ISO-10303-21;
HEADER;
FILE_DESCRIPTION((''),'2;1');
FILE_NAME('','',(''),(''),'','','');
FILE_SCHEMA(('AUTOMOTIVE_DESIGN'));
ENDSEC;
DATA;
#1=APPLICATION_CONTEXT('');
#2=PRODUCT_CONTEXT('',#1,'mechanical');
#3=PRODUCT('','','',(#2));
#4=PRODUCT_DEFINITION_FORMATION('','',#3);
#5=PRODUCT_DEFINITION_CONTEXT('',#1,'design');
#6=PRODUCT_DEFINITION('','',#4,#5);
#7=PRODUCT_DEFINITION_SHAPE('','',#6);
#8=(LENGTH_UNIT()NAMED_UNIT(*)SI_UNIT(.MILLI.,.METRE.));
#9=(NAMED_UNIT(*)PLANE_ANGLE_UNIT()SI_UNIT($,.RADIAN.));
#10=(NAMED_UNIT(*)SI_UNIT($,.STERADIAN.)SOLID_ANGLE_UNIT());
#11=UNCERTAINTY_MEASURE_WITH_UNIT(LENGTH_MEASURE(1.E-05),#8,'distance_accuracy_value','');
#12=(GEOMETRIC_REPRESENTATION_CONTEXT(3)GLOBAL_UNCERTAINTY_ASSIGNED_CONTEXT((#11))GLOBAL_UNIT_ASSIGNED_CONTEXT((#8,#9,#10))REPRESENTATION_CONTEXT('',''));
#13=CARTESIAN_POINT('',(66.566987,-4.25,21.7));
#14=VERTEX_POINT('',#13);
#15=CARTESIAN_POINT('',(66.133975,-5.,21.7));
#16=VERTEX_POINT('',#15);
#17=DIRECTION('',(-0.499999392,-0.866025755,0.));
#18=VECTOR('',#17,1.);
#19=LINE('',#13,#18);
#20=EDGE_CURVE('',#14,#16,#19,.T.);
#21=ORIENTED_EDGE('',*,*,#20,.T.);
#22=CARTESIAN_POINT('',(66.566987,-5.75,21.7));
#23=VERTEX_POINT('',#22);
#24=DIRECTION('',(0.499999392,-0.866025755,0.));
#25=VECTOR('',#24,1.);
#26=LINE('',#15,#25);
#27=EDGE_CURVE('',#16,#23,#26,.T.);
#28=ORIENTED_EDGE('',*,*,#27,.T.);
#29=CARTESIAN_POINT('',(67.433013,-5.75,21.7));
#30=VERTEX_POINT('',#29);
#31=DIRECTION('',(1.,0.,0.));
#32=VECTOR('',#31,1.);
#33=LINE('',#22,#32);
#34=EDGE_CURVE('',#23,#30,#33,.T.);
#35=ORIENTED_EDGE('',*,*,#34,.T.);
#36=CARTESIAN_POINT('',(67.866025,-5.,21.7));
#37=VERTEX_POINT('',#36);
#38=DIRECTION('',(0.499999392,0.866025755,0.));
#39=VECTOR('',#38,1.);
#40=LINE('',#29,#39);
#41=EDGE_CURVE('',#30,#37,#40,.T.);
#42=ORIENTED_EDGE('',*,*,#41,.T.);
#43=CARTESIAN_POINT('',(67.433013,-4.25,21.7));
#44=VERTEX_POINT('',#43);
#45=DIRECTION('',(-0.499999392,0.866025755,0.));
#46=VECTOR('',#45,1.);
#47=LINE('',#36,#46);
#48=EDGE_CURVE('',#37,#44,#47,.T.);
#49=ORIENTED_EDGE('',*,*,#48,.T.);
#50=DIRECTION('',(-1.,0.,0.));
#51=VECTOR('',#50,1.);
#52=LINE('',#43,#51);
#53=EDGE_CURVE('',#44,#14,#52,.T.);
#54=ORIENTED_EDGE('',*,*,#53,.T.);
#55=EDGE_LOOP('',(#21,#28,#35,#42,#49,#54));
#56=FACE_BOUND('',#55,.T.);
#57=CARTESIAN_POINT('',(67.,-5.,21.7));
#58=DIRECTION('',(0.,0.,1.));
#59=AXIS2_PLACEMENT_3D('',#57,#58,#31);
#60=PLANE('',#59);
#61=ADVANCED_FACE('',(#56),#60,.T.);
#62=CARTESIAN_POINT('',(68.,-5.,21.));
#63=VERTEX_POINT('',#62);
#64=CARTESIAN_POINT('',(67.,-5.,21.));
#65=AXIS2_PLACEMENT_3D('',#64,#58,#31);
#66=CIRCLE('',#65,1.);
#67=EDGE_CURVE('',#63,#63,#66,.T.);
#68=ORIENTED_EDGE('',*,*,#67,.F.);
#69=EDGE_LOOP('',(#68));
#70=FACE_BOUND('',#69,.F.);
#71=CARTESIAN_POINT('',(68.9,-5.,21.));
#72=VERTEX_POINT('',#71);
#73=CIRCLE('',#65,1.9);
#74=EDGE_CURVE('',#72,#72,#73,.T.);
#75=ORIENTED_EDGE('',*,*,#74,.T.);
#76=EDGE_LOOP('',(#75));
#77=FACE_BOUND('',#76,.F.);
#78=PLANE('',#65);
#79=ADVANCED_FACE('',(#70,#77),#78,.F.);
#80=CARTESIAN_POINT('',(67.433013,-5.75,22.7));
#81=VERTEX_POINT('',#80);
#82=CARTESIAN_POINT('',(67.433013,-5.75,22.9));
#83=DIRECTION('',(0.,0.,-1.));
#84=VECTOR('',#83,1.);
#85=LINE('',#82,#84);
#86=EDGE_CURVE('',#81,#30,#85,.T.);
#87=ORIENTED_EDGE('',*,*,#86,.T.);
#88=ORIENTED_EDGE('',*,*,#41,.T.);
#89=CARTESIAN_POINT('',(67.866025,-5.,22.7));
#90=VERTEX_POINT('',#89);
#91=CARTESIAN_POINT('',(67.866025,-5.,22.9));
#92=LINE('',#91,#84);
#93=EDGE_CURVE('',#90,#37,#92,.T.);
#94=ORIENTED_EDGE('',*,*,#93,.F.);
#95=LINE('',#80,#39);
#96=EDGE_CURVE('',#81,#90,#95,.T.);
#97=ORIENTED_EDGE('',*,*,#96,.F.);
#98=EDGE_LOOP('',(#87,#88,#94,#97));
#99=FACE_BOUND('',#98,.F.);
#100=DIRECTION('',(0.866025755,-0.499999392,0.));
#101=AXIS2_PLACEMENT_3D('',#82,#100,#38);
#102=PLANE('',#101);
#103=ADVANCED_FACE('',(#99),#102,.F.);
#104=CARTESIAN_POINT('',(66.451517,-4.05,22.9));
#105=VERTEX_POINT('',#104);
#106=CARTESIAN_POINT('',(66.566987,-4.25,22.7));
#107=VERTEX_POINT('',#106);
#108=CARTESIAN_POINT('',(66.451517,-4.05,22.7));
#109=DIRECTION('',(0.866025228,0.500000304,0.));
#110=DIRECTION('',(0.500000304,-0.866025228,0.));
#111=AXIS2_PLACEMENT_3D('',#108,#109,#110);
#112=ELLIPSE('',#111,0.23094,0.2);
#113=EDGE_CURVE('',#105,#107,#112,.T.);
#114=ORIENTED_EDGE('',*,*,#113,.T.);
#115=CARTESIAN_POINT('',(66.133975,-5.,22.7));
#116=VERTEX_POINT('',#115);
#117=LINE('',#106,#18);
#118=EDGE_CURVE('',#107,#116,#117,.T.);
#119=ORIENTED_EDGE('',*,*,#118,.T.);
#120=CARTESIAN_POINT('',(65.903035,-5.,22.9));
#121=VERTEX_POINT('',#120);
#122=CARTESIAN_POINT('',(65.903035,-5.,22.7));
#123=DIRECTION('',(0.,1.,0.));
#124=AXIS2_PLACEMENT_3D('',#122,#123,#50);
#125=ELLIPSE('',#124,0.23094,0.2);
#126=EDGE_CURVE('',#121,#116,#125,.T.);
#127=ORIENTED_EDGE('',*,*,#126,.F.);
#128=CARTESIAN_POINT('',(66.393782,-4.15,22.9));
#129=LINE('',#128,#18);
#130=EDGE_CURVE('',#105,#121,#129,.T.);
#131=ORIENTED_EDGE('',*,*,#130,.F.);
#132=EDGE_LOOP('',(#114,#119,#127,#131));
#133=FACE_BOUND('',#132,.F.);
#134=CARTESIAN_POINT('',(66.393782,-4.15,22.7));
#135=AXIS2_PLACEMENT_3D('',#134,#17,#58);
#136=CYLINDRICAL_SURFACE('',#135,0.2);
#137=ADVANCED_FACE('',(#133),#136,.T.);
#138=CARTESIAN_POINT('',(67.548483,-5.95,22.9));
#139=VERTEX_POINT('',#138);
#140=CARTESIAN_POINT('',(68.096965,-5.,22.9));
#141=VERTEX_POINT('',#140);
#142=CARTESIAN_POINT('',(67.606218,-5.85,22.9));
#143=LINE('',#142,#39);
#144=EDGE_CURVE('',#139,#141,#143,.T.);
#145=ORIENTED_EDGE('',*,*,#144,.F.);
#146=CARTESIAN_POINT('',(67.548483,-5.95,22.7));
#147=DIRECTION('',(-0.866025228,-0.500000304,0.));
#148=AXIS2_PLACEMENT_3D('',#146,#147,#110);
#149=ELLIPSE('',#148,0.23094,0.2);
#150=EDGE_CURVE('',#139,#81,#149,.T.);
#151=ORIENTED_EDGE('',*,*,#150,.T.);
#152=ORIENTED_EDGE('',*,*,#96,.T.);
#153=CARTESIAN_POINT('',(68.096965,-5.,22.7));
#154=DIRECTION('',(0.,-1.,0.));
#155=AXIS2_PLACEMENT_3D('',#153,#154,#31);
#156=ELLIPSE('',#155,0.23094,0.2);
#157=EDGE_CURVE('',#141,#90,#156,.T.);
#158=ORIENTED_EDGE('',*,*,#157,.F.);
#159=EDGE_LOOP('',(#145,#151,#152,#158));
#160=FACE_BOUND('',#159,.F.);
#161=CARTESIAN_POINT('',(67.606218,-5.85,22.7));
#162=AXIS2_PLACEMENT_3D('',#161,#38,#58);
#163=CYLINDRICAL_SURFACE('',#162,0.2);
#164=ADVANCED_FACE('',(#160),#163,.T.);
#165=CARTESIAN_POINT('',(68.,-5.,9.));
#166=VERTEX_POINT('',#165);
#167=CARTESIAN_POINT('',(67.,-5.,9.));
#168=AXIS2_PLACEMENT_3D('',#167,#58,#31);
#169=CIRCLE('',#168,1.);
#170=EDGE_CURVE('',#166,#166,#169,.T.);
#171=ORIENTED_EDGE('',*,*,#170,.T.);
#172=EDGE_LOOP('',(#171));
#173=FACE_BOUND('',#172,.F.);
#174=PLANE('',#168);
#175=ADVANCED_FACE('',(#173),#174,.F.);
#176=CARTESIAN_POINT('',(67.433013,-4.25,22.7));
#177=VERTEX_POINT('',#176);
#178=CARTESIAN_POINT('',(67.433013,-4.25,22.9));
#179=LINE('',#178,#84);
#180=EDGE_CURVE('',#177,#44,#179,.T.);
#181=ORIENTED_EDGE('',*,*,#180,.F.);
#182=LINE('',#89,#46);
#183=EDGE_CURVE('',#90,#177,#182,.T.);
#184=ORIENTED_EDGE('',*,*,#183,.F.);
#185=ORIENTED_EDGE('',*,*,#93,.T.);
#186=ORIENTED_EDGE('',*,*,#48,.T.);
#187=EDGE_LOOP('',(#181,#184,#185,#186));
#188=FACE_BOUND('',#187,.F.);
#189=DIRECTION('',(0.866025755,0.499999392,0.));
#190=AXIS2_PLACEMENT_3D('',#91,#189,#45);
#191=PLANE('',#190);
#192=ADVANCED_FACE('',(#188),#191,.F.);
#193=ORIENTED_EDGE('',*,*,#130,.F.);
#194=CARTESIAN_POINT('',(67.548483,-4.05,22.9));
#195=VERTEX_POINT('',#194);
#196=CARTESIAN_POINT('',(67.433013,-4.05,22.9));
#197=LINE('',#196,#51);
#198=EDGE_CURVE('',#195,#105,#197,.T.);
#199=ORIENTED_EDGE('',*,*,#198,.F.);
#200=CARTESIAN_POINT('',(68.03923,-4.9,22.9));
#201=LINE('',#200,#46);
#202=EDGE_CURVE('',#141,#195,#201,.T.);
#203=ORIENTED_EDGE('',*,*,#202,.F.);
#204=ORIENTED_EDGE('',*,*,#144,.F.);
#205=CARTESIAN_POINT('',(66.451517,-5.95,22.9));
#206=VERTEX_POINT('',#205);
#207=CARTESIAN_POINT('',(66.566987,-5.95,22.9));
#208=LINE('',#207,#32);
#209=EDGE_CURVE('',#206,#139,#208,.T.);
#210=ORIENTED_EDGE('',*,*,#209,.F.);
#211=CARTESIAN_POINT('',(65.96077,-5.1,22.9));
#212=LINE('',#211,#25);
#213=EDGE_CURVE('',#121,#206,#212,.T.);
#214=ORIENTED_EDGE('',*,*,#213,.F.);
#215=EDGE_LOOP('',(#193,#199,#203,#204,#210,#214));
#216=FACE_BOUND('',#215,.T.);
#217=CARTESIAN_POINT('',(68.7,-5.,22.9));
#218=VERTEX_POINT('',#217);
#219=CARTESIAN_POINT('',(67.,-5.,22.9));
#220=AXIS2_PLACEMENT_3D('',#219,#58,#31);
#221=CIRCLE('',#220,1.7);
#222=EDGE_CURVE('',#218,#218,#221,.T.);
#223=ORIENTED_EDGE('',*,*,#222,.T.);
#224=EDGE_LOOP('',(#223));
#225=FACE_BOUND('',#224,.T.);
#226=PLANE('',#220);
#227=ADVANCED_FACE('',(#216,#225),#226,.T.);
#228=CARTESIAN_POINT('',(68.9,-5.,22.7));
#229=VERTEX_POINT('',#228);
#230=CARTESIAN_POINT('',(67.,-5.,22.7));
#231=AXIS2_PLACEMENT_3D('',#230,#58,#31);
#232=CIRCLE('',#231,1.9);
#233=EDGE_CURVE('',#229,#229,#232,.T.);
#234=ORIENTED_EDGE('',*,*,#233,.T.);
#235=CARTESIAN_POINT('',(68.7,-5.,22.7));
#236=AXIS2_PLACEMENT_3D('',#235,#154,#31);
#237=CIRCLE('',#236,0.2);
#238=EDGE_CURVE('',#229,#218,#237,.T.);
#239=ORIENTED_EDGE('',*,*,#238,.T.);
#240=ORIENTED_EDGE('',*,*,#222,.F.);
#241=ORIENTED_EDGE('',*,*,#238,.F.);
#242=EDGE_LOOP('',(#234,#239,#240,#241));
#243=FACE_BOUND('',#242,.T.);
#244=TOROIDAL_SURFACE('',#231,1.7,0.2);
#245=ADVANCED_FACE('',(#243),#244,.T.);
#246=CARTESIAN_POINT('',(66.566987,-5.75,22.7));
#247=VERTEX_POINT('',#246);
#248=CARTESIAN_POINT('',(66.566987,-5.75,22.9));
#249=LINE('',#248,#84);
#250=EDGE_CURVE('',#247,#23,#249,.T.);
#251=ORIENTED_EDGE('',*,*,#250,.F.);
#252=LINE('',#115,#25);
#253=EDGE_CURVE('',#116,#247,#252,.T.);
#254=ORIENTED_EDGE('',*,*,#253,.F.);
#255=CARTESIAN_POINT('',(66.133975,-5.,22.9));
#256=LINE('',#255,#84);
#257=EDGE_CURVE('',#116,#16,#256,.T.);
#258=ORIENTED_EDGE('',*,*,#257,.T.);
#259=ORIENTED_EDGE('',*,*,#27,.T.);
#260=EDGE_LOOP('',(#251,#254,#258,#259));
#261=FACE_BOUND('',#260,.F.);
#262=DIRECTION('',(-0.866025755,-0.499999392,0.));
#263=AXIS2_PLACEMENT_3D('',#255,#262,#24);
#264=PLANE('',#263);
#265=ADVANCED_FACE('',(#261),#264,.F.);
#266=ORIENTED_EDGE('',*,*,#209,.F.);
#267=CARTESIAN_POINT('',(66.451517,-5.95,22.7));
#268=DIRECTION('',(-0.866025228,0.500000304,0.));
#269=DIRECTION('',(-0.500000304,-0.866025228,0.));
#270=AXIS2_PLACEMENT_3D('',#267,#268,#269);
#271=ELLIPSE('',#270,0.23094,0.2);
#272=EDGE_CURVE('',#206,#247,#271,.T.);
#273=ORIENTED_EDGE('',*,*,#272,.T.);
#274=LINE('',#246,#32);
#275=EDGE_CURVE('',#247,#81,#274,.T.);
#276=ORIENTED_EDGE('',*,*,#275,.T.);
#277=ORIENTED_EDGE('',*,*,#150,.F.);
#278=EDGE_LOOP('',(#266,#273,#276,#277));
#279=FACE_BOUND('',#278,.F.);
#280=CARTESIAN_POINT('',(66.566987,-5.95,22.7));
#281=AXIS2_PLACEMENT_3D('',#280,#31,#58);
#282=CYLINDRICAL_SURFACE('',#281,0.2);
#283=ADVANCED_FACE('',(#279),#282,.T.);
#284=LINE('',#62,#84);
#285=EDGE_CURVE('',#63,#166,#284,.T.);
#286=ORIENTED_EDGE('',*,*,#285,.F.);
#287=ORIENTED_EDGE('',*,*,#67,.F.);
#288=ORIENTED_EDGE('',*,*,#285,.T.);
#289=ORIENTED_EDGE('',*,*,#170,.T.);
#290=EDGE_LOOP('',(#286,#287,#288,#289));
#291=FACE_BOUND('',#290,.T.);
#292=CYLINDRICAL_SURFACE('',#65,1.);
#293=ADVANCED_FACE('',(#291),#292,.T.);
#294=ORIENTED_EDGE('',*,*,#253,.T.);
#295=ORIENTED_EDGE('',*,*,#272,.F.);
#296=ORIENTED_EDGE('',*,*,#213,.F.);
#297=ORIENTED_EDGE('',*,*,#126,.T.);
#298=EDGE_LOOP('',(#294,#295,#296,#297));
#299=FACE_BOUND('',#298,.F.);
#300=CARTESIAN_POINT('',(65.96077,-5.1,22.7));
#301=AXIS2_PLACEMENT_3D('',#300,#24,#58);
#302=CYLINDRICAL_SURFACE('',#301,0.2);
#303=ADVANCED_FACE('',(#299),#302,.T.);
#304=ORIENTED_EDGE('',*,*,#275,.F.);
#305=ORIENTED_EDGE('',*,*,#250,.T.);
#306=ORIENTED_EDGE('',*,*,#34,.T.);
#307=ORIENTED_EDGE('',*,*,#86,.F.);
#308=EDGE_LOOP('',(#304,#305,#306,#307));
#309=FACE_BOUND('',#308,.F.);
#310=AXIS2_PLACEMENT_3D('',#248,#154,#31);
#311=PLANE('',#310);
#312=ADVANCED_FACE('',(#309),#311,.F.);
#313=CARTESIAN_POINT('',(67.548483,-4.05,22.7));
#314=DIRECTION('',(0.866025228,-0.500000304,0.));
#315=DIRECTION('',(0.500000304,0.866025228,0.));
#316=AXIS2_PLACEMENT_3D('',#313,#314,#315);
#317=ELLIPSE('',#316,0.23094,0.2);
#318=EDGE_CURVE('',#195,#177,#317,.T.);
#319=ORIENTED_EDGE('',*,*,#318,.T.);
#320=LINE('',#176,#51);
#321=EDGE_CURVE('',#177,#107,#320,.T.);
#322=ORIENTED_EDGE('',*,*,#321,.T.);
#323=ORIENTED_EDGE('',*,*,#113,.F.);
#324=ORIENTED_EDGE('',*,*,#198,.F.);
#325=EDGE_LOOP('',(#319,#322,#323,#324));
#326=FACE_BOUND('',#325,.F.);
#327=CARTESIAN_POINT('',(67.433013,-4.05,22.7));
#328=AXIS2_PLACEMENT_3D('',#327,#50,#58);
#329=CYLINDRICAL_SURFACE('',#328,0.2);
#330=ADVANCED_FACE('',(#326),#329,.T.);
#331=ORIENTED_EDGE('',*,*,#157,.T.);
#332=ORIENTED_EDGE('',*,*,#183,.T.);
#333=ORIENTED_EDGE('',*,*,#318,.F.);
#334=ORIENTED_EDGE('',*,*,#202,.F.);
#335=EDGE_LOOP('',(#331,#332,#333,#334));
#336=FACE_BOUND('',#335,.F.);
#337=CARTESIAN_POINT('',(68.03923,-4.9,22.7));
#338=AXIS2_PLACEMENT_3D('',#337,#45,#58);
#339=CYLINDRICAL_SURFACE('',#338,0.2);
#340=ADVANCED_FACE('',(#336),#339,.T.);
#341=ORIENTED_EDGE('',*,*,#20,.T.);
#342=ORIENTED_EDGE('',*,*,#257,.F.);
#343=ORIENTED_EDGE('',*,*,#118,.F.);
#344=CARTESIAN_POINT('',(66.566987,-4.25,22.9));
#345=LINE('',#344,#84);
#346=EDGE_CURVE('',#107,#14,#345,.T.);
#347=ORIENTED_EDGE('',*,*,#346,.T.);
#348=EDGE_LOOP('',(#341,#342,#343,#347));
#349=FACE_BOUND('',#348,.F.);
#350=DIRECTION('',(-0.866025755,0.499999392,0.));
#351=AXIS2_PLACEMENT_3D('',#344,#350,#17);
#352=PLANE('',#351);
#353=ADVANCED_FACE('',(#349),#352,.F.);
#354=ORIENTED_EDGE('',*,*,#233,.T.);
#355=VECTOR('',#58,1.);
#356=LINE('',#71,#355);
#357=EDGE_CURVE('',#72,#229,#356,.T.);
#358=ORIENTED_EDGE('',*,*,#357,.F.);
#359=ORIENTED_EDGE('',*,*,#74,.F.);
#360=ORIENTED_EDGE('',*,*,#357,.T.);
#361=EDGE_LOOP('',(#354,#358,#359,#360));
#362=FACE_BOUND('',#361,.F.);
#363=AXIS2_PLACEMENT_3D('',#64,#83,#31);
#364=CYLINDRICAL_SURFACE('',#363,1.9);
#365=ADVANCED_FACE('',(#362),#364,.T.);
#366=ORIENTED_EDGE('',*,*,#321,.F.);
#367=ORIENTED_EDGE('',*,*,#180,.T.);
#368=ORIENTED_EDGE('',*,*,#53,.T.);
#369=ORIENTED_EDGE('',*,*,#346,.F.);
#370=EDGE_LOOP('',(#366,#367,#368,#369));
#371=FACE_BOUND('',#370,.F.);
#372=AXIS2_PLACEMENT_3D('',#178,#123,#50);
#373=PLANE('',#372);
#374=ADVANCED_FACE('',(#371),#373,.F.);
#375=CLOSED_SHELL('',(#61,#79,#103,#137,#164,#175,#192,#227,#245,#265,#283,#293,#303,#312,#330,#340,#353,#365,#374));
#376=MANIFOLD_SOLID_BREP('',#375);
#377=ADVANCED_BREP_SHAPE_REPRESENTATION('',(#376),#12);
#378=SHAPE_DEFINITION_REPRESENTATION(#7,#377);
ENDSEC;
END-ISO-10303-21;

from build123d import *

# Parameters (mm, degrees)
SKETCH042_R              = 1.9
PAD007_DEPTH             = 1.9
POCKET024_DEPTH          = 1.2
SKETCH044_R              = 1
PAD008_DEPTH             = 12
FILLET005_R              = 0.2
BODY008_PLACEMENT_ANGLE  = 90
CLONE004_PLACEMENT_ANGLE = 90


with BuildPart() as part:
    # Sketch042 → Pad007 (new body)
    with BuildSketch(Plane.XY):
        Circle(SKETCH042_R)
    extrude(amount=PAD007_DEPTH)

    # Sketch043 (on Face3 of Pad007) → Pocket024 (cut)
    with BuildSketch(Plane.XY.offset(1.9)):
        Polygon((0.866025, 0), (0.433013, 0.75), (-0.433013, 0.75), (-0.866025, 0), (-0.433013, -0.75), (0.433013, -0.75), align=None)
    extrude(amount=-POCKET024_DEPTH, mode=Mode.SUBTRACT)

    # Sketch044 → Pad008 (join)
    with BuildSketch(Plane.XY):
        Circle(SKETCH044_R)
    extrude(amount=-PAD008_DEPTH)

    # Fillet005
    fillet005_edges = [part.edges().sort_by_distance(p)[0] for p in [
        (-1.9, 0, 1.9),
        (-0.649519, 0.375, 1.9),
        (-0.649519, -0.375, 1.9),
        (0, -0.75, 1.9),
        (0.649519, -0.375, 1.9),
        (0.649519, 0.375, 1.9),
        (0, 0.75, 1.9),
    ]]
    fillet(fillet005_edges, radius=FILLET005_R)


with BuildPart() as part_1:
    # Body008 placement: moved
    add(part.part.moved(Location((40, -5, 15))).rotate(Axis((40, -5, 15), (1, 0, 0)), BODY008_PLACEMENT_ANGLE))


with BuildPart() as part_2:
    # Clone004 placement: moved
    add(part_1.part.moved(Location((-40, -15, -5))).rotate(Axis((-40, -15, -5), (-1, 0, 0)), CLONE004_PLACEMENT_ANGLE))


with BuildPart() as part_3:
    # Body011 placement: moved
    add(part_2.part.moved(Location((67, -5, 21))))


solid = part_3.part
